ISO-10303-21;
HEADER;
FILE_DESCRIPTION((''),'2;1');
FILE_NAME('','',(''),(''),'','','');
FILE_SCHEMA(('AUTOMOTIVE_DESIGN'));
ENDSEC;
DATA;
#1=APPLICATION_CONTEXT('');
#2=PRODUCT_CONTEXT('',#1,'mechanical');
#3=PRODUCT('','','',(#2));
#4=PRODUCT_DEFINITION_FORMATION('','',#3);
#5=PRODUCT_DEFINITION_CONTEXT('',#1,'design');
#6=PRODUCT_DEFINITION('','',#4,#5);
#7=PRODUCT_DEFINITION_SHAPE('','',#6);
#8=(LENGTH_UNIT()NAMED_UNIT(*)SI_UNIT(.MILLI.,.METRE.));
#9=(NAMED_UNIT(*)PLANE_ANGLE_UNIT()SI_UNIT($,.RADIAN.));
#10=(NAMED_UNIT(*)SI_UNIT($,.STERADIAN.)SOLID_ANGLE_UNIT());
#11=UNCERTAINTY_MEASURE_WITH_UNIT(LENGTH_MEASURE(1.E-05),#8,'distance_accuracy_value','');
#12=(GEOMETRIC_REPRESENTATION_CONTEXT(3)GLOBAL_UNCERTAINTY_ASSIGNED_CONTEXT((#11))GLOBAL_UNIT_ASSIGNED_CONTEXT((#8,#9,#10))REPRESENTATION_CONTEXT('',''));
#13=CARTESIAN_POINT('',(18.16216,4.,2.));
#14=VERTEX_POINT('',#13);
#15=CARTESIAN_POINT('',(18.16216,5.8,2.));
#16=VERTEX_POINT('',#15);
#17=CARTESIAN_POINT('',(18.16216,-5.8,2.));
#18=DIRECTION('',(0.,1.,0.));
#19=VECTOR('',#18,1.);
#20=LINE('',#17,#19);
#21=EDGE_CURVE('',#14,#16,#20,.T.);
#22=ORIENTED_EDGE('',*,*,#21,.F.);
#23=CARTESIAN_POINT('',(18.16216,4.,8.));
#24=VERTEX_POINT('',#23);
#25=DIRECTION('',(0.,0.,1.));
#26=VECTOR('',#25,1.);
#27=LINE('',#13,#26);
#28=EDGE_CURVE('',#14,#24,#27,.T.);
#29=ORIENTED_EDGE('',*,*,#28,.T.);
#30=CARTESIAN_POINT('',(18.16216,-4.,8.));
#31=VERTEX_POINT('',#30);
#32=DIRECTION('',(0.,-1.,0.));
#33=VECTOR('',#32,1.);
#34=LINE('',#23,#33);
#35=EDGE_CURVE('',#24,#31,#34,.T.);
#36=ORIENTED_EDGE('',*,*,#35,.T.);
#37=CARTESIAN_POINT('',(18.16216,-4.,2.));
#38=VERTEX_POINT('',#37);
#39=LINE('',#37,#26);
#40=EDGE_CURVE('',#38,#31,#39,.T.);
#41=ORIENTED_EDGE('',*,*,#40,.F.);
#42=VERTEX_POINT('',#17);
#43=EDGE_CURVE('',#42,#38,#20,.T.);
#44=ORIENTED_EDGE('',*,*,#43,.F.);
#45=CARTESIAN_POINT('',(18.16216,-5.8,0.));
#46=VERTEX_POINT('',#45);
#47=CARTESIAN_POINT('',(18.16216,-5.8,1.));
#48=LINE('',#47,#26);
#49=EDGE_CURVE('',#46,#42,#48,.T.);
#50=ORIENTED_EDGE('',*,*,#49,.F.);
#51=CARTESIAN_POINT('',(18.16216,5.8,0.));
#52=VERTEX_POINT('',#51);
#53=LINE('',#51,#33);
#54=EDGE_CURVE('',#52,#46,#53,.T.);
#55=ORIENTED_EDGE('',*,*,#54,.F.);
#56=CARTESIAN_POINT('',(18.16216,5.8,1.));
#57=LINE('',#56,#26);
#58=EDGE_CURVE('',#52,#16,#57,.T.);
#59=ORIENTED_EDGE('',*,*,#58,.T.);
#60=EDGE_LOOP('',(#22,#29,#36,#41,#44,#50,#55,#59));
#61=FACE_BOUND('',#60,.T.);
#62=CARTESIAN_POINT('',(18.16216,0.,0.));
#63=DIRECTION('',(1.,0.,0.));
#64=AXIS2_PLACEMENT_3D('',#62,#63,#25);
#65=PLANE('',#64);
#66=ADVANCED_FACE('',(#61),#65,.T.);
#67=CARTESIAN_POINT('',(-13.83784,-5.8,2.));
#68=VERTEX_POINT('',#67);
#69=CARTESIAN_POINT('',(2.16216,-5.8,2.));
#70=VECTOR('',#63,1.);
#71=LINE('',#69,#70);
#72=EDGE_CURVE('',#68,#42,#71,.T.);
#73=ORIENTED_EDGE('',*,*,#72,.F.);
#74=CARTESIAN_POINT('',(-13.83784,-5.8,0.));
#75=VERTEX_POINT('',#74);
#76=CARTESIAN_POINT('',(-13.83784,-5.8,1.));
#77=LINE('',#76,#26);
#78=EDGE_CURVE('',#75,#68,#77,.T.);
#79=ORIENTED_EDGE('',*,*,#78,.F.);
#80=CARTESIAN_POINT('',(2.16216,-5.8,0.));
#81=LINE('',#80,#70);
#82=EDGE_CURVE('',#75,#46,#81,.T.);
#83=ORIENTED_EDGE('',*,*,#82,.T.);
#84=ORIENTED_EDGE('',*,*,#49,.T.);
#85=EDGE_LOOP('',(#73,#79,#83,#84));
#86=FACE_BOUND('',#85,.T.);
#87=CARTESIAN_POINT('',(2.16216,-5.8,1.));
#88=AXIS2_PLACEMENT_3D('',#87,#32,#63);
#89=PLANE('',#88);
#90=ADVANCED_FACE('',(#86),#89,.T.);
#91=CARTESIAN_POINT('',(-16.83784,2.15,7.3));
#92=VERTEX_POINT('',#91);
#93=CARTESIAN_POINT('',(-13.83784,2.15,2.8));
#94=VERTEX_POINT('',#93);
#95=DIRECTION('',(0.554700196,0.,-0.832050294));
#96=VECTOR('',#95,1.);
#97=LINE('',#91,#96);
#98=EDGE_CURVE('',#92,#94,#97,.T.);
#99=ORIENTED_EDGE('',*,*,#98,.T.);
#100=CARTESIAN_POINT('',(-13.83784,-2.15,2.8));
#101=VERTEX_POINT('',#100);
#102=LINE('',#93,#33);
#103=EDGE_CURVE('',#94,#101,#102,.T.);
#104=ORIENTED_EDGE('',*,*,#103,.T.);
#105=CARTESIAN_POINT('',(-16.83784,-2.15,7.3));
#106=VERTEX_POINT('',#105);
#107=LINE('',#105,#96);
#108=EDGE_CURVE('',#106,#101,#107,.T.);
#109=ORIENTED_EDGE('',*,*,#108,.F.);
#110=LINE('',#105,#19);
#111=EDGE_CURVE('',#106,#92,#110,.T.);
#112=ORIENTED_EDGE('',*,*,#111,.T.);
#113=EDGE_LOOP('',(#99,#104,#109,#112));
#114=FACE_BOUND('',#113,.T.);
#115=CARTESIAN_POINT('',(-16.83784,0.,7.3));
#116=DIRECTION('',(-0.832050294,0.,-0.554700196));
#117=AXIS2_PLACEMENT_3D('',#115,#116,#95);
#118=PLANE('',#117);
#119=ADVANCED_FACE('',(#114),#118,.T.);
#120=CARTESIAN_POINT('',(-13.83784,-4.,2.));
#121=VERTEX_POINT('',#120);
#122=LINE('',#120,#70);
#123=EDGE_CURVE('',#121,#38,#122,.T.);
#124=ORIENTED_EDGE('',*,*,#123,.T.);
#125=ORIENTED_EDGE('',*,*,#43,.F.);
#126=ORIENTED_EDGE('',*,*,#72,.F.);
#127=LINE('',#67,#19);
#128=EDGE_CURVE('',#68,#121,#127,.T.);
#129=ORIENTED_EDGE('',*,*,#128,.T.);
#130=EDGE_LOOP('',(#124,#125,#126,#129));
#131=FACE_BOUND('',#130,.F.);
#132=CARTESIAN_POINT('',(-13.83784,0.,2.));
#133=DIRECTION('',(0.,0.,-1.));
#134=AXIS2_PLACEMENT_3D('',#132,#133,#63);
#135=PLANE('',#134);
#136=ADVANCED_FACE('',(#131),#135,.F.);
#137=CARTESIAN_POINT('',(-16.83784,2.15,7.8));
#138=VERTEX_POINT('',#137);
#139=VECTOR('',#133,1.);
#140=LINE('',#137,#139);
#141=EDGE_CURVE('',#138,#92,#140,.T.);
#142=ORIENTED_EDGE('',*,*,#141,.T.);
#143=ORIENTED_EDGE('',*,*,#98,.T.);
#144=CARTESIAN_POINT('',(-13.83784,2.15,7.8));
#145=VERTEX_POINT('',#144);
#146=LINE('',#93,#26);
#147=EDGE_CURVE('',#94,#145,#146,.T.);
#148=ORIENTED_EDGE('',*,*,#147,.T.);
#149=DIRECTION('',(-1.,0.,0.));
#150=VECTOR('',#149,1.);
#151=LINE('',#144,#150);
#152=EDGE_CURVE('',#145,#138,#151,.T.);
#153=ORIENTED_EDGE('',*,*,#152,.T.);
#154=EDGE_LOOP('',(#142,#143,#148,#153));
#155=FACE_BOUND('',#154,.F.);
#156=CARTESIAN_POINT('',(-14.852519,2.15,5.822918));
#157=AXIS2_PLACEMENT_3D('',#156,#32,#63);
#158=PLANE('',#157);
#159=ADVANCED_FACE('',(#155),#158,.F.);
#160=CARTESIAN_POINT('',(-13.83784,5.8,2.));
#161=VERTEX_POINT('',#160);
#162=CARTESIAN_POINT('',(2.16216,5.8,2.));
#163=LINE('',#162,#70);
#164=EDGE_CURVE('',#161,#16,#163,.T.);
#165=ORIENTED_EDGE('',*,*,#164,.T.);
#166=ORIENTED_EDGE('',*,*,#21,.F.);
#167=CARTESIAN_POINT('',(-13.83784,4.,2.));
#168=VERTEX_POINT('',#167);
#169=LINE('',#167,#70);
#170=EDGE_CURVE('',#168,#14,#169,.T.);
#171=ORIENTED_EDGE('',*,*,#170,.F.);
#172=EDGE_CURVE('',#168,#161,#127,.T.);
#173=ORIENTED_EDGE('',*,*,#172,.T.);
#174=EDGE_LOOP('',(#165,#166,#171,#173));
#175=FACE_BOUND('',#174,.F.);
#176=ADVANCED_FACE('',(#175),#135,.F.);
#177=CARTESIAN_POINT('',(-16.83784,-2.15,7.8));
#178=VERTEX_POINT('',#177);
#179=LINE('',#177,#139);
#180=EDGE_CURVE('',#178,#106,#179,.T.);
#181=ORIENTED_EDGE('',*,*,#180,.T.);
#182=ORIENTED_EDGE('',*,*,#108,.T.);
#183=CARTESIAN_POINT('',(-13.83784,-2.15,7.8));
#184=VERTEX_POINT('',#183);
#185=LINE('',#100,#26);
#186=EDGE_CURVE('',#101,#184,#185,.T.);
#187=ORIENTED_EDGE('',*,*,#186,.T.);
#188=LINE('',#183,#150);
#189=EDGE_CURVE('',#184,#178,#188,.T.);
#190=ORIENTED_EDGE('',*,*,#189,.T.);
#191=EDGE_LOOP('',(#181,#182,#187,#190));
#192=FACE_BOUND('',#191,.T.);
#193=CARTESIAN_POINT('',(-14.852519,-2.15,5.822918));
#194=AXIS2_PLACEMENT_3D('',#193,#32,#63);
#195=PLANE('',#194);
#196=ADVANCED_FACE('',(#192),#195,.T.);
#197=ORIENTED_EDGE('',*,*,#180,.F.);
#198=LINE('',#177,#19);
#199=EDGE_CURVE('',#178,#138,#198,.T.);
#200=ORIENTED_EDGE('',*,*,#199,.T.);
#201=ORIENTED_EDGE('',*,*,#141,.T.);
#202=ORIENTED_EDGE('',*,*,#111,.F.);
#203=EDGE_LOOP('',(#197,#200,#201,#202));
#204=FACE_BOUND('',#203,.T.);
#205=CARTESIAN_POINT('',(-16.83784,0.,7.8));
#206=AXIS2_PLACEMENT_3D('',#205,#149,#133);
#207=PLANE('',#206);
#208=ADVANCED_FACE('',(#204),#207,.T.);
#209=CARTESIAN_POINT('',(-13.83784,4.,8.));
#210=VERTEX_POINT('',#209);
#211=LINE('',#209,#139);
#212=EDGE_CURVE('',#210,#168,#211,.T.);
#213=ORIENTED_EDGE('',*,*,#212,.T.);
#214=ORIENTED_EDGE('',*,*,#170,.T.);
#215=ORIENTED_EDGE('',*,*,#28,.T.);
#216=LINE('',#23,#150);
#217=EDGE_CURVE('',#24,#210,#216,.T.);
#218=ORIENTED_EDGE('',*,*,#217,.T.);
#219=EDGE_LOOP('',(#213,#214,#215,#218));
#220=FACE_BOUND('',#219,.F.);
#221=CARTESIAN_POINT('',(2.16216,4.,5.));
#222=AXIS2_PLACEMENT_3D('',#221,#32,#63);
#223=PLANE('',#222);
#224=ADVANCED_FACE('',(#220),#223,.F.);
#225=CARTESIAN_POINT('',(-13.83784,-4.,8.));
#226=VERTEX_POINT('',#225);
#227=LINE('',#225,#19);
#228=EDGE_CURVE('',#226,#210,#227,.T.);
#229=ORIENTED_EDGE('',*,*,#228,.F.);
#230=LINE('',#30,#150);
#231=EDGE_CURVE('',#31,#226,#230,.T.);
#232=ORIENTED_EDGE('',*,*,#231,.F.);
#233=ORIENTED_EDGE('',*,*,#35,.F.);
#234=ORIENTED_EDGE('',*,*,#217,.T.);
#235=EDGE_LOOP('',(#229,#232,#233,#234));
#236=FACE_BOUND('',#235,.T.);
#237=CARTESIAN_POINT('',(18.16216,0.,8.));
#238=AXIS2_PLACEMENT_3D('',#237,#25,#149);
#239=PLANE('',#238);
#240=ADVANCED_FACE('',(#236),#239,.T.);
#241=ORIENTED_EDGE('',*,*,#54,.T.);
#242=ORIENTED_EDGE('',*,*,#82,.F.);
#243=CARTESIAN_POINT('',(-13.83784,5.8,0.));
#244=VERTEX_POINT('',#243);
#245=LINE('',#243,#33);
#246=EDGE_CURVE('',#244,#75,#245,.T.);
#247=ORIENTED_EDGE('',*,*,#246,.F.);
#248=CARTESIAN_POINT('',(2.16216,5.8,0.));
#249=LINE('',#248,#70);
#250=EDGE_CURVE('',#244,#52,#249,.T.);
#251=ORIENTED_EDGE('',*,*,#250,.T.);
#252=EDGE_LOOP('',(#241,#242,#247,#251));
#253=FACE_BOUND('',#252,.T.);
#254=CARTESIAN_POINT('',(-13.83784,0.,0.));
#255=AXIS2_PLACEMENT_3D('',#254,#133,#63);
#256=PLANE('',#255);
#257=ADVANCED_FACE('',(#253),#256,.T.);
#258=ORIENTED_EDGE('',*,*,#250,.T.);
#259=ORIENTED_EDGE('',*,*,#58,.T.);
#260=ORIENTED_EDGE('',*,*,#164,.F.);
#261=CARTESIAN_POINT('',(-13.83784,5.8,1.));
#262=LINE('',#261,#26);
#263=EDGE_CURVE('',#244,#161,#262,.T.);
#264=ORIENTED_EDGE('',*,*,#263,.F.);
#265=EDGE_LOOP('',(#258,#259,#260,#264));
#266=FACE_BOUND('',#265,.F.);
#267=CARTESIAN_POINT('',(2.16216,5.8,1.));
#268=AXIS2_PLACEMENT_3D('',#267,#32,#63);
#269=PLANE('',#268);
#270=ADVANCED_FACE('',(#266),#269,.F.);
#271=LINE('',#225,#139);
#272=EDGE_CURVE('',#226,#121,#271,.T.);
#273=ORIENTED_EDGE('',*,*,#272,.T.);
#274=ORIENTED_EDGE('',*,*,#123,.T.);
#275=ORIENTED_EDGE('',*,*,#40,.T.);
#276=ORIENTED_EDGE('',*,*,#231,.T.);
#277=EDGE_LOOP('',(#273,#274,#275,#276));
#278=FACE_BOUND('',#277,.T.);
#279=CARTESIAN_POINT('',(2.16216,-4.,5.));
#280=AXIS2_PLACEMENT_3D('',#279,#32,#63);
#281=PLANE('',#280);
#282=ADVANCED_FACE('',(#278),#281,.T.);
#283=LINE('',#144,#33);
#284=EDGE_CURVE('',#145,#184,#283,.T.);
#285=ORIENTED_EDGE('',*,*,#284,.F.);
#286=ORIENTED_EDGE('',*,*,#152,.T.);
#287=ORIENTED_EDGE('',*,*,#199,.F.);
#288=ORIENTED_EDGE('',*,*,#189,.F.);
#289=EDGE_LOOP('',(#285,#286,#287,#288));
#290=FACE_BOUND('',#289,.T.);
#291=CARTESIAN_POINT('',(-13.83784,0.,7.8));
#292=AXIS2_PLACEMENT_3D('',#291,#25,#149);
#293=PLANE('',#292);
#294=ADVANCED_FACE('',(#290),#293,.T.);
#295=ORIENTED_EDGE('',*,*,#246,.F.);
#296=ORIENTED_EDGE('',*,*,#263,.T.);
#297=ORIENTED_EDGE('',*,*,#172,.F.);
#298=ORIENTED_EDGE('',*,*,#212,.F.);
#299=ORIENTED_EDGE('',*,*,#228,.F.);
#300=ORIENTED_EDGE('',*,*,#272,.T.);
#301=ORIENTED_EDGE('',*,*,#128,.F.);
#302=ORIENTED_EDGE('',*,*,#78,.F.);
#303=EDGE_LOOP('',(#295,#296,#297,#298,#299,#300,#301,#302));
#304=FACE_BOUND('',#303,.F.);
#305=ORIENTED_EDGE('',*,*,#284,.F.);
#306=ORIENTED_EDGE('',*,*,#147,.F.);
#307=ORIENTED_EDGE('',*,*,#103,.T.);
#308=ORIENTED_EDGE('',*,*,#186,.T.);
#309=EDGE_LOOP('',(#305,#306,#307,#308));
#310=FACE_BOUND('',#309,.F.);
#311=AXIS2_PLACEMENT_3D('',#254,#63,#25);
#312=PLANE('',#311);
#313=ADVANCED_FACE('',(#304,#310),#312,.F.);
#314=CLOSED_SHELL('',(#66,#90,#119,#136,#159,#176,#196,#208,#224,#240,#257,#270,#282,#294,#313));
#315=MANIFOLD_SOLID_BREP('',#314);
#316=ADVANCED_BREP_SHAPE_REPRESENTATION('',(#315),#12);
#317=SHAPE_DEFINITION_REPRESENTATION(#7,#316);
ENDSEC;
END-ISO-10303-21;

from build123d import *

# Parameters (mm, degrees)
F1_DEPTH = 4
F2_DEPTH = 2.15
F0_W     = 32
F0_H     = 2
F3_DEPTH = 5.8


with BuildPart() as f1:
    # F0 (on Front) → F1 (new body, symmetric)
    with BuildSketch(Plane.XZ):
        Polygon((-13.8378396917, 2.8), (-13.8378396917, 2), (18.1621603083, 2), (18.1621603083, 8), (-13.8378396917, 8), (-13.8378396917, 7.8), align=None)
    extrude(amount=F1_DEPTH, both=True)

    # F0 (on Front) → F2 (join, symmetric)
    with BuildSketch(Plane.XZ):
        Polygon((-16.8378396917, 7.3), (-13.8378396917, 2.8), (-13.8378396917, 7.8), (-16.8378396917, 7.8), align=None)
    extrude(amount=F2_DEPTH, both=True)

    # F0 (on Front) → F3 (join, symmetric)
    with BuildSketch(Plane.XZ):
        with Locations((2.1621603083, 1)):
            Rectangle(F0_W, F0_H)
    extrude(amount=F3_DEPTH, both=True)


solid = f1.part
